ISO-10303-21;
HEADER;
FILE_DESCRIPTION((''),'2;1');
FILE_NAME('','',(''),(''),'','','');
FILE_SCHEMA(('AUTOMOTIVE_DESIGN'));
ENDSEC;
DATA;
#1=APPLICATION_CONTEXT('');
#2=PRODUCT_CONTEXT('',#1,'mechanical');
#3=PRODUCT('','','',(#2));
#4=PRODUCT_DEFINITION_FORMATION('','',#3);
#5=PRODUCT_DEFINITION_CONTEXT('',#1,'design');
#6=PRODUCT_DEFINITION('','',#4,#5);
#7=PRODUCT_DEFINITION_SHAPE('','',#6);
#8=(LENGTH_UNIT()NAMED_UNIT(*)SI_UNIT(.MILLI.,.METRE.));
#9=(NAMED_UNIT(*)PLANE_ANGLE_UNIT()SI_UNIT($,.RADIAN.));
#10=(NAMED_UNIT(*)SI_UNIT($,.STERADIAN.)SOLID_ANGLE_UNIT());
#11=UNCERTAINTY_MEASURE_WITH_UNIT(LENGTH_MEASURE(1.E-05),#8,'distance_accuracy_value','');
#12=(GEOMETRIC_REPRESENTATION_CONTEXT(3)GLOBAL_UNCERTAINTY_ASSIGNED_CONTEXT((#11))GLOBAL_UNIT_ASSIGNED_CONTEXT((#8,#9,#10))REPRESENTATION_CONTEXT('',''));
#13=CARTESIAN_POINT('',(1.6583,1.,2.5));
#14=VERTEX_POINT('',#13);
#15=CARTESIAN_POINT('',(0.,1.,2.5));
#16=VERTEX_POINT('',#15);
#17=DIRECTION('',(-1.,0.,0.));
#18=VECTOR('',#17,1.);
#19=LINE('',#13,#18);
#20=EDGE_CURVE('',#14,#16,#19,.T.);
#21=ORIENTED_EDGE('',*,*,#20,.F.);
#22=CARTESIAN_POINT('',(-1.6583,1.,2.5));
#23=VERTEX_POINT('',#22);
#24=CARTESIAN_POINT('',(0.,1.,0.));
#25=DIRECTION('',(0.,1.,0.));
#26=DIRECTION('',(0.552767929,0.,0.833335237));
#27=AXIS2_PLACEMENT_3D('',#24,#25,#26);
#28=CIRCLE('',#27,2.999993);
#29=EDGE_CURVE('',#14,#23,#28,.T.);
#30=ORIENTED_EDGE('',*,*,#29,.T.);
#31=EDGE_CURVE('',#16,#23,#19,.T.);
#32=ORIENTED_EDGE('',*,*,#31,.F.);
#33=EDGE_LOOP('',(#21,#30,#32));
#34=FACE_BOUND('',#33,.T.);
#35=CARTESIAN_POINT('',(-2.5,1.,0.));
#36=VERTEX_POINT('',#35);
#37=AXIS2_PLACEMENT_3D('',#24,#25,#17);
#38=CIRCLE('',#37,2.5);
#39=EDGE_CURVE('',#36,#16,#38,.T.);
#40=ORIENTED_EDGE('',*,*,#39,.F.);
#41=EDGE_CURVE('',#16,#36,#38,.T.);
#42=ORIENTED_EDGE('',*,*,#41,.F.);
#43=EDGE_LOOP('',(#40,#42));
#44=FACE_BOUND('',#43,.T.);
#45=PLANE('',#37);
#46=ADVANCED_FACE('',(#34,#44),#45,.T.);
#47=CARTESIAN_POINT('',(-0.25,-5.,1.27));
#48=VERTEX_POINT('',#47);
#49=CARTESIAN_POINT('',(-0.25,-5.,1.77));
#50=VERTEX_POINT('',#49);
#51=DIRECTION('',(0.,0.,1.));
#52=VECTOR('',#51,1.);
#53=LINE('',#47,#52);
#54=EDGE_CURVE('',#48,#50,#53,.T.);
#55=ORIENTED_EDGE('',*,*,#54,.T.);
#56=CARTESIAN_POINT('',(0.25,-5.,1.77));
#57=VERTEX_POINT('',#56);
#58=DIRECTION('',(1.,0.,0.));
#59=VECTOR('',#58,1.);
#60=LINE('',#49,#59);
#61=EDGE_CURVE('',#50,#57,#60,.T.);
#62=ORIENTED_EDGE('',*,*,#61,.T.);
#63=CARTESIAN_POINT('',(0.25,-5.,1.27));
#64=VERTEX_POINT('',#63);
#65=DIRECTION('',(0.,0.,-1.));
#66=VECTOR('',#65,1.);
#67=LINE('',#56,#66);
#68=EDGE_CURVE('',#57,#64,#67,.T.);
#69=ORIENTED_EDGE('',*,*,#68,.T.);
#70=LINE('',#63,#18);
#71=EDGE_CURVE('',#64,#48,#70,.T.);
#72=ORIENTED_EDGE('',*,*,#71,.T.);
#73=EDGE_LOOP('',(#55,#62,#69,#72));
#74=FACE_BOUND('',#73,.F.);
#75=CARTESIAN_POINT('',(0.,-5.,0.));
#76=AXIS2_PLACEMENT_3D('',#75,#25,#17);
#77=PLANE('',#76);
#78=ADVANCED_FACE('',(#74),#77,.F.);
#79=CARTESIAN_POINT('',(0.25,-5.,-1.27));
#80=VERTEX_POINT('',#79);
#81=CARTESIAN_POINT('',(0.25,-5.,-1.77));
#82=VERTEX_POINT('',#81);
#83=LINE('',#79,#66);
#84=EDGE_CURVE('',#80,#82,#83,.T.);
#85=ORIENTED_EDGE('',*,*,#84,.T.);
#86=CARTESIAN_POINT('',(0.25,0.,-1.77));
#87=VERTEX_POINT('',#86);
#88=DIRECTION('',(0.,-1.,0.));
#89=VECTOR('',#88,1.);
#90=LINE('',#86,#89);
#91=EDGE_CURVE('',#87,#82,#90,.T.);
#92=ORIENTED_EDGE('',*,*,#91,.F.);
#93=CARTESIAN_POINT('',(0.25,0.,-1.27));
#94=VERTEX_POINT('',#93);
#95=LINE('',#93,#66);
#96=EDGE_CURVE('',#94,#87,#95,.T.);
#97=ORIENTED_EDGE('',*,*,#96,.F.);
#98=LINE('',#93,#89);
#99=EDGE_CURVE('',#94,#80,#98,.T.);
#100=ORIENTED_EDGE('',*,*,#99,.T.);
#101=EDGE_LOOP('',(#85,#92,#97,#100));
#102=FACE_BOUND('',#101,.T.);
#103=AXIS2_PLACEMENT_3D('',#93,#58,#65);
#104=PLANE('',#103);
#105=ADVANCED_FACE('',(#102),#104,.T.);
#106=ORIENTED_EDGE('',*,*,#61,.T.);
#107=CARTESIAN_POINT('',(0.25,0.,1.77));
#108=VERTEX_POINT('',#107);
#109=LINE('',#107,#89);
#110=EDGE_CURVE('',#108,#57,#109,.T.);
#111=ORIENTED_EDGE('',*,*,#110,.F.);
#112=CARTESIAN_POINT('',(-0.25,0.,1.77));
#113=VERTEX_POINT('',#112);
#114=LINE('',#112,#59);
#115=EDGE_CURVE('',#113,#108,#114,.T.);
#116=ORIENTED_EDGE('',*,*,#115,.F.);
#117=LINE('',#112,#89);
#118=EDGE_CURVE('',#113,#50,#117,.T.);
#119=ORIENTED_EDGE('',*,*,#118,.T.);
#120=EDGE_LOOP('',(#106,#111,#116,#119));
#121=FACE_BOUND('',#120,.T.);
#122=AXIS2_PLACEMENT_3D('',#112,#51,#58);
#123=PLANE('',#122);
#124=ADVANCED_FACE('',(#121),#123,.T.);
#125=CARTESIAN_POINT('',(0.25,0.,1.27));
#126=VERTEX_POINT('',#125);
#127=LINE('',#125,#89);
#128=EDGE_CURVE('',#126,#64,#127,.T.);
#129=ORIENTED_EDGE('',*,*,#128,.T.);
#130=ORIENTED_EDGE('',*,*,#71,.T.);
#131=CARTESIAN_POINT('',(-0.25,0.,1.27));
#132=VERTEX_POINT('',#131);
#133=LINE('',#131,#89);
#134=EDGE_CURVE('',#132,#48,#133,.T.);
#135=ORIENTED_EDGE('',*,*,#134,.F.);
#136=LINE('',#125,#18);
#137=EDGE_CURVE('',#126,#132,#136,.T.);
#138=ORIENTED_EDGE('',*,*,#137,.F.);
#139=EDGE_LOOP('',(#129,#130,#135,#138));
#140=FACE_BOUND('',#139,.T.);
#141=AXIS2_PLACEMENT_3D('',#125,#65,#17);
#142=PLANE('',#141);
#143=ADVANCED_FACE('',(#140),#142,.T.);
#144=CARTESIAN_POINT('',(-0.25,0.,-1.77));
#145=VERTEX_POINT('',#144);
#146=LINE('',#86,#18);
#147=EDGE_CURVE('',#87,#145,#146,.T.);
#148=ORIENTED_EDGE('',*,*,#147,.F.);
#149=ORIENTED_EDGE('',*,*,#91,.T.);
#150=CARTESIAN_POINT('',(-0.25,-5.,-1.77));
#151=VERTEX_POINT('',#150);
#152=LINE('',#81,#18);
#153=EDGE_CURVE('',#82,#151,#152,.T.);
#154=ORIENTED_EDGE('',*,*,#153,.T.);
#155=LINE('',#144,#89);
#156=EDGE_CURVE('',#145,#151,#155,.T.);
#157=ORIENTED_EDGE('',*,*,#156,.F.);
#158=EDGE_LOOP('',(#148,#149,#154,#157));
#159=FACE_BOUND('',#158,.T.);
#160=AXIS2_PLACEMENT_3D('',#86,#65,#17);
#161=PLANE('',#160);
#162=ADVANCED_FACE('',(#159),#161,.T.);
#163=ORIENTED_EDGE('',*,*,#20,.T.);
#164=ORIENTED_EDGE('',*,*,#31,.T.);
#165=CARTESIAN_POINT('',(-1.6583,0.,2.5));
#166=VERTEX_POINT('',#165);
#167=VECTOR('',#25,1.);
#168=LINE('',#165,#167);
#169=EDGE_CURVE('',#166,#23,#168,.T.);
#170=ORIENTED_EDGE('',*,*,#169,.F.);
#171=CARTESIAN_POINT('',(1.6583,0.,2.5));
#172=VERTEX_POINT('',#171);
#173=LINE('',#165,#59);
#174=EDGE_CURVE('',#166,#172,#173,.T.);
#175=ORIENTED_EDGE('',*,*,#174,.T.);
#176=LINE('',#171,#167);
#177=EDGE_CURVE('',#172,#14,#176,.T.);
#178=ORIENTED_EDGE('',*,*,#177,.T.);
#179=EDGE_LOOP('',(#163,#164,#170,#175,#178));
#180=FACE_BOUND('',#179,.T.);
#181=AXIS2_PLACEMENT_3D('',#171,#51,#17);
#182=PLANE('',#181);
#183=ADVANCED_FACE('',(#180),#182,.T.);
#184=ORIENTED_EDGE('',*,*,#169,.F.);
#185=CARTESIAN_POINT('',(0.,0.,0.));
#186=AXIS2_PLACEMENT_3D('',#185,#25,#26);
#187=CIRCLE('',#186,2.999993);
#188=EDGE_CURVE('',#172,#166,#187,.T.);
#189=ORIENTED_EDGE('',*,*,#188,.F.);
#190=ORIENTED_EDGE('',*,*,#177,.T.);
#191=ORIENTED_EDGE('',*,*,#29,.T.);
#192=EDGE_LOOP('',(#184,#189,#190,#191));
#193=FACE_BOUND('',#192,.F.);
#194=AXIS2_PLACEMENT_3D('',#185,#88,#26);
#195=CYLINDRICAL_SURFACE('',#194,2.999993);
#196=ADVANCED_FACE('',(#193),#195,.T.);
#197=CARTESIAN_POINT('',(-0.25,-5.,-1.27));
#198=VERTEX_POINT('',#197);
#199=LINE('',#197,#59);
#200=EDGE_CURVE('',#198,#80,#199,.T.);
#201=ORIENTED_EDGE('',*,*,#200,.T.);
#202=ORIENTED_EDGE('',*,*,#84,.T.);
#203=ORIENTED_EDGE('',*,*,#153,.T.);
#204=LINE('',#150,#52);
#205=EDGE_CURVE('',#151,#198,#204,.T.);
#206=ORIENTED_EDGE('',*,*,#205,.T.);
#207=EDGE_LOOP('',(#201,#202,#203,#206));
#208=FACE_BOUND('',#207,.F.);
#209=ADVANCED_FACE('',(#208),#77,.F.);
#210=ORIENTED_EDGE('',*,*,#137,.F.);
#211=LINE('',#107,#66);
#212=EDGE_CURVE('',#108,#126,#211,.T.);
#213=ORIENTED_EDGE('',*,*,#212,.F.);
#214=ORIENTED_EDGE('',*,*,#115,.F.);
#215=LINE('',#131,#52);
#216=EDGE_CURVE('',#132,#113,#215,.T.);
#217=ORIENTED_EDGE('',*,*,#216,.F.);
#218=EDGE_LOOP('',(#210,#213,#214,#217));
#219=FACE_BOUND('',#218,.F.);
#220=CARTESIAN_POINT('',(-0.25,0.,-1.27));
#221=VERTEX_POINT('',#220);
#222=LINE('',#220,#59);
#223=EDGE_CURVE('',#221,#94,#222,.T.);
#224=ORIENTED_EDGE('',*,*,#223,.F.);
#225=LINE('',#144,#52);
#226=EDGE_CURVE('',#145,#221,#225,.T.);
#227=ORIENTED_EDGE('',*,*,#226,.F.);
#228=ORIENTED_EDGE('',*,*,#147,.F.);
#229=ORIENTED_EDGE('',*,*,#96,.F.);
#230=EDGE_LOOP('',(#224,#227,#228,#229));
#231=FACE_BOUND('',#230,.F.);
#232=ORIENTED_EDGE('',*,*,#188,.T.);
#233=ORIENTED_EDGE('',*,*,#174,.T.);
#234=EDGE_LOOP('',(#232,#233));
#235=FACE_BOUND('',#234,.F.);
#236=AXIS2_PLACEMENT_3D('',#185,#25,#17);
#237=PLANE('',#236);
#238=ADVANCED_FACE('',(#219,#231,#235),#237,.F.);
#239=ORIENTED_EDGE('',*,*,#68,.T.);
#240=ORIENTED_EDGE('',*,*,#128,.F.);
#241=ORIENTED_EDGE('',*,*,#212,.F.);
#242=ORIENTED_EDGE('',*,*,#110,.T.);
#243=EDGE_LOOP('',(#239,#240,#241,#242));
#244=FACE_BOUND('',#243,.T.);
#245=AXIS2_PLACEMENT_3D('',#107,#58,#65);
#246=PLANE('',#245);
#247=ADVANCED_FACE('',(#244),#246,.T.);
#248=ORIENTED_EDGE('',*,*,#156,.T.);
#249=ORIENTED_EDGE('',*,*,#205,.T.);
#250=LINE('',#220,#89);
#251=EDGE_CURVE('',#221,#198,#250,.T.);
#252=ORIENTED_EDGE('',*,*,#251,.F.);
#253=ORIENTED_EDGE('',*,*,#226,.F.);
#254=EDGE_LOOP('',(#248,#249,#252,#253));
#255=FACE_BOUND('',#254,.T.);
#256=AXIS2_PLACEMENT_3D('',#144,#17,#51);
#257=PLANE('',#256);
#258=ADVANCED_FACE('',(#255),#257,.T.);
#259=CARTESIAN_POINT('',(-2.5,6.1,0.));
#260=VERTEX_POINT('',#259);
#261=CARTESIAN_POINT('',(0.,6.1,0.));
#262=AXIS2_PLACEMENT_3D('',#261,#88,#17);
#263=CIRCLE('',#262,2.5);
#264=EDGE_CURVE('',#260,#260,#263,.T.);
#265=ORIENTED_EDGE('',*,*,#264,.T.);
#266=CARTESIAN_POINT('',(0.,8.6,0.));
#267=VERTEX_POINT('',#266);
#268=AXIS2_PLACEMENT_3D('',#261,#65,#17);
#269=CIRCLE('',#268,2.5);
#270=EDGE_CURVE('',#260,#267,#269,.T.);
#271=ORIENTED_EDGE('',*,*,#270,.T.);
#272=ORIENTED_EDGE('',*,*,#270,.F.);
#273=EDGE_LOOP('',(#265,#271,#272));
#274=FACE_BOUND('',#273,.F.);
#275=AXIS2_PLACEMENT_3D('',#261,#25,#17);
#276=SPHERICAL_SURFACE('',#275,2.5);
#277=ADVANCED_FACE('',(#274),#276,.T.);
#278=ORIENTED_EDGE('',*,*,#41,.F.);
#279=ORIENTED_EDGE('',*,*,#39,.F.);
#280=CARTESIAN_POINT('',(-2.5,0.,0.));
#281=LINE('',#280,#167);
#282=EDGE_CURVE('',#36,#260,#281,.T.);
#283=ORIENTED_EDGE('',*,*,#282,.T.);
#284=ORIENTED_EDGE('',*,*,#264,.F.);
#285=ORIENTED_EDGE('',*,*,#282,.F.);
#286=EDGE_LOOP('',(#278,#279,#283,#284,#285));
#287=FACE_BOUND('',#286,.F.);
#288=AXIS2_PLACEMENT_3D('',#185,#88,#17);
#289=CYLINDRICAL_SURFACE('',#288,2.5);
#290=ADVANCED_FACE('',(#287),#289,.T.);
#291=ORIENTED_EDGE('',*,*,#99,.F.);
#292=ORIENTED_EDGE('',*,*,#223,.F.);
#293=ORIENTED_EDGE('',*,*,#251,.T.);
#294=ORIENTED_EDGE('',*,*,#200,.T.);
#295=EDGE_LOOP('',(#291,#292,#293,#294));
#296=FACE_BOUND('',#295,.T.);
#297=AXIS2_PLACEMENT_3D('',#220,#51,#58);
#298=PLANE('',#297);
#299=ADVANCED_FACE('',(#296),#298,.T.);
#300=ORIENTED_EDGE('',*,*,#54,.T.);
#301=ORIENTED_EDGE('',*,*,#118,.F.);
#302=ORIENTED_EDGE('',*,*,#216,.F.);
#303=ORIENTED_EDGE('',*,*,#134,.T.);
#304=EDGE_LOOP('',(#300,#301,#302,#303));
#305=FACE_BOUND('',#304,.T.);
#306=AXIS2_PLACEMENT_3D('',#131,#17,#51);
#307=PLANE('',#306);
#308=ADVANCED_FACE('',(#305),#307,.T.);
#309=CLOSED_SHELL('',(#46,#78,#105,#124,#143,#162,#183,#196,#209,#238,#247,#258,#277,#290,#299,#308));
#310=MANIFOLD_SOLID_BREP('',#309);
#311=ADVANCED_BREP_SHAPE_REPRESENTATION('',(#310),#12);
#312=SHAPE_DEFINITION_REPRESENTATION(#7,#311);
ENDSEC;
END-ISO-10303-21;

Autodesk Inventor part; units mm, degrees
ref_plane "YZ Plane" through (0, 0, 0) normal (1, 0, 0) x (0, 1, 0)
ref_plane "XZ Plane" through (0, 0, 0) normal (0, 1, 0) x (-1, 0, 0)
ref_plane "XY Plane" through (0, 0, 0) normal (0, 0, 1) x (1, 0, 0)
sketch "Sketch1" plane through (0, 0, 0) normal (0, 1, 0) x (-1, 0, 0)
  arc A0 (-1.6583, 2.5) -> (1.6583, 2.5) centre (0, 0) ccw
  circle A1 centre (0, 0) radius 2.5
  line L0 (0.25, 1.77) -> (-0.25, 1.77)
  line L1 (-0.25, 1.77) -> (-0.25, 1.27)
  line L2 (-0.25, 1.27) -> (0.25, 1.27)
  line L3 (0.25, 1.27) -> (0.25, 1.77)
  line L4 (0, 1.87) -> (0, -2) construction
  line L5 (1.5109, 0) -> (-1.3865, 0) construction
  line L6 (0.25, -1.27) -> (-0.25, -1.27)
  line L7 (-0.25, -1.27) -> (-0.25, -1.77)
  line L8 (-0.25, -1.77) -> (0.25, -1.77)
  line L9 (0.25, -1.77) -> (0.25, -1.27)
  line L10 (-1.6583, 2.5) -> (1.6583, 2.5)
  dimension "d0" = 6
  dimension "d1" = 5
  dimension "d2" = 0.5
  dimension "d4" = 0.5
  dimension "d5" = 2.54
extrude "Extrusion1" add sketch "Sketch1" along normal blind 8.6 contours A1 | L3 L2 L1 L0 | L9 L8 L7 L6
extrude "Extrusion3" add sketch "Sketch1" along normal blind 1 contours L10 A0
fillet "Fillet1" radius 2.5 1 edges at (2.5, 8.6, 0)
extrude "Extrusion4" add sketch "Sketch1" against normal blind 5 contours L3 L2 L1 L0 | L9 L8 L7 L6
properties part number "LED"
